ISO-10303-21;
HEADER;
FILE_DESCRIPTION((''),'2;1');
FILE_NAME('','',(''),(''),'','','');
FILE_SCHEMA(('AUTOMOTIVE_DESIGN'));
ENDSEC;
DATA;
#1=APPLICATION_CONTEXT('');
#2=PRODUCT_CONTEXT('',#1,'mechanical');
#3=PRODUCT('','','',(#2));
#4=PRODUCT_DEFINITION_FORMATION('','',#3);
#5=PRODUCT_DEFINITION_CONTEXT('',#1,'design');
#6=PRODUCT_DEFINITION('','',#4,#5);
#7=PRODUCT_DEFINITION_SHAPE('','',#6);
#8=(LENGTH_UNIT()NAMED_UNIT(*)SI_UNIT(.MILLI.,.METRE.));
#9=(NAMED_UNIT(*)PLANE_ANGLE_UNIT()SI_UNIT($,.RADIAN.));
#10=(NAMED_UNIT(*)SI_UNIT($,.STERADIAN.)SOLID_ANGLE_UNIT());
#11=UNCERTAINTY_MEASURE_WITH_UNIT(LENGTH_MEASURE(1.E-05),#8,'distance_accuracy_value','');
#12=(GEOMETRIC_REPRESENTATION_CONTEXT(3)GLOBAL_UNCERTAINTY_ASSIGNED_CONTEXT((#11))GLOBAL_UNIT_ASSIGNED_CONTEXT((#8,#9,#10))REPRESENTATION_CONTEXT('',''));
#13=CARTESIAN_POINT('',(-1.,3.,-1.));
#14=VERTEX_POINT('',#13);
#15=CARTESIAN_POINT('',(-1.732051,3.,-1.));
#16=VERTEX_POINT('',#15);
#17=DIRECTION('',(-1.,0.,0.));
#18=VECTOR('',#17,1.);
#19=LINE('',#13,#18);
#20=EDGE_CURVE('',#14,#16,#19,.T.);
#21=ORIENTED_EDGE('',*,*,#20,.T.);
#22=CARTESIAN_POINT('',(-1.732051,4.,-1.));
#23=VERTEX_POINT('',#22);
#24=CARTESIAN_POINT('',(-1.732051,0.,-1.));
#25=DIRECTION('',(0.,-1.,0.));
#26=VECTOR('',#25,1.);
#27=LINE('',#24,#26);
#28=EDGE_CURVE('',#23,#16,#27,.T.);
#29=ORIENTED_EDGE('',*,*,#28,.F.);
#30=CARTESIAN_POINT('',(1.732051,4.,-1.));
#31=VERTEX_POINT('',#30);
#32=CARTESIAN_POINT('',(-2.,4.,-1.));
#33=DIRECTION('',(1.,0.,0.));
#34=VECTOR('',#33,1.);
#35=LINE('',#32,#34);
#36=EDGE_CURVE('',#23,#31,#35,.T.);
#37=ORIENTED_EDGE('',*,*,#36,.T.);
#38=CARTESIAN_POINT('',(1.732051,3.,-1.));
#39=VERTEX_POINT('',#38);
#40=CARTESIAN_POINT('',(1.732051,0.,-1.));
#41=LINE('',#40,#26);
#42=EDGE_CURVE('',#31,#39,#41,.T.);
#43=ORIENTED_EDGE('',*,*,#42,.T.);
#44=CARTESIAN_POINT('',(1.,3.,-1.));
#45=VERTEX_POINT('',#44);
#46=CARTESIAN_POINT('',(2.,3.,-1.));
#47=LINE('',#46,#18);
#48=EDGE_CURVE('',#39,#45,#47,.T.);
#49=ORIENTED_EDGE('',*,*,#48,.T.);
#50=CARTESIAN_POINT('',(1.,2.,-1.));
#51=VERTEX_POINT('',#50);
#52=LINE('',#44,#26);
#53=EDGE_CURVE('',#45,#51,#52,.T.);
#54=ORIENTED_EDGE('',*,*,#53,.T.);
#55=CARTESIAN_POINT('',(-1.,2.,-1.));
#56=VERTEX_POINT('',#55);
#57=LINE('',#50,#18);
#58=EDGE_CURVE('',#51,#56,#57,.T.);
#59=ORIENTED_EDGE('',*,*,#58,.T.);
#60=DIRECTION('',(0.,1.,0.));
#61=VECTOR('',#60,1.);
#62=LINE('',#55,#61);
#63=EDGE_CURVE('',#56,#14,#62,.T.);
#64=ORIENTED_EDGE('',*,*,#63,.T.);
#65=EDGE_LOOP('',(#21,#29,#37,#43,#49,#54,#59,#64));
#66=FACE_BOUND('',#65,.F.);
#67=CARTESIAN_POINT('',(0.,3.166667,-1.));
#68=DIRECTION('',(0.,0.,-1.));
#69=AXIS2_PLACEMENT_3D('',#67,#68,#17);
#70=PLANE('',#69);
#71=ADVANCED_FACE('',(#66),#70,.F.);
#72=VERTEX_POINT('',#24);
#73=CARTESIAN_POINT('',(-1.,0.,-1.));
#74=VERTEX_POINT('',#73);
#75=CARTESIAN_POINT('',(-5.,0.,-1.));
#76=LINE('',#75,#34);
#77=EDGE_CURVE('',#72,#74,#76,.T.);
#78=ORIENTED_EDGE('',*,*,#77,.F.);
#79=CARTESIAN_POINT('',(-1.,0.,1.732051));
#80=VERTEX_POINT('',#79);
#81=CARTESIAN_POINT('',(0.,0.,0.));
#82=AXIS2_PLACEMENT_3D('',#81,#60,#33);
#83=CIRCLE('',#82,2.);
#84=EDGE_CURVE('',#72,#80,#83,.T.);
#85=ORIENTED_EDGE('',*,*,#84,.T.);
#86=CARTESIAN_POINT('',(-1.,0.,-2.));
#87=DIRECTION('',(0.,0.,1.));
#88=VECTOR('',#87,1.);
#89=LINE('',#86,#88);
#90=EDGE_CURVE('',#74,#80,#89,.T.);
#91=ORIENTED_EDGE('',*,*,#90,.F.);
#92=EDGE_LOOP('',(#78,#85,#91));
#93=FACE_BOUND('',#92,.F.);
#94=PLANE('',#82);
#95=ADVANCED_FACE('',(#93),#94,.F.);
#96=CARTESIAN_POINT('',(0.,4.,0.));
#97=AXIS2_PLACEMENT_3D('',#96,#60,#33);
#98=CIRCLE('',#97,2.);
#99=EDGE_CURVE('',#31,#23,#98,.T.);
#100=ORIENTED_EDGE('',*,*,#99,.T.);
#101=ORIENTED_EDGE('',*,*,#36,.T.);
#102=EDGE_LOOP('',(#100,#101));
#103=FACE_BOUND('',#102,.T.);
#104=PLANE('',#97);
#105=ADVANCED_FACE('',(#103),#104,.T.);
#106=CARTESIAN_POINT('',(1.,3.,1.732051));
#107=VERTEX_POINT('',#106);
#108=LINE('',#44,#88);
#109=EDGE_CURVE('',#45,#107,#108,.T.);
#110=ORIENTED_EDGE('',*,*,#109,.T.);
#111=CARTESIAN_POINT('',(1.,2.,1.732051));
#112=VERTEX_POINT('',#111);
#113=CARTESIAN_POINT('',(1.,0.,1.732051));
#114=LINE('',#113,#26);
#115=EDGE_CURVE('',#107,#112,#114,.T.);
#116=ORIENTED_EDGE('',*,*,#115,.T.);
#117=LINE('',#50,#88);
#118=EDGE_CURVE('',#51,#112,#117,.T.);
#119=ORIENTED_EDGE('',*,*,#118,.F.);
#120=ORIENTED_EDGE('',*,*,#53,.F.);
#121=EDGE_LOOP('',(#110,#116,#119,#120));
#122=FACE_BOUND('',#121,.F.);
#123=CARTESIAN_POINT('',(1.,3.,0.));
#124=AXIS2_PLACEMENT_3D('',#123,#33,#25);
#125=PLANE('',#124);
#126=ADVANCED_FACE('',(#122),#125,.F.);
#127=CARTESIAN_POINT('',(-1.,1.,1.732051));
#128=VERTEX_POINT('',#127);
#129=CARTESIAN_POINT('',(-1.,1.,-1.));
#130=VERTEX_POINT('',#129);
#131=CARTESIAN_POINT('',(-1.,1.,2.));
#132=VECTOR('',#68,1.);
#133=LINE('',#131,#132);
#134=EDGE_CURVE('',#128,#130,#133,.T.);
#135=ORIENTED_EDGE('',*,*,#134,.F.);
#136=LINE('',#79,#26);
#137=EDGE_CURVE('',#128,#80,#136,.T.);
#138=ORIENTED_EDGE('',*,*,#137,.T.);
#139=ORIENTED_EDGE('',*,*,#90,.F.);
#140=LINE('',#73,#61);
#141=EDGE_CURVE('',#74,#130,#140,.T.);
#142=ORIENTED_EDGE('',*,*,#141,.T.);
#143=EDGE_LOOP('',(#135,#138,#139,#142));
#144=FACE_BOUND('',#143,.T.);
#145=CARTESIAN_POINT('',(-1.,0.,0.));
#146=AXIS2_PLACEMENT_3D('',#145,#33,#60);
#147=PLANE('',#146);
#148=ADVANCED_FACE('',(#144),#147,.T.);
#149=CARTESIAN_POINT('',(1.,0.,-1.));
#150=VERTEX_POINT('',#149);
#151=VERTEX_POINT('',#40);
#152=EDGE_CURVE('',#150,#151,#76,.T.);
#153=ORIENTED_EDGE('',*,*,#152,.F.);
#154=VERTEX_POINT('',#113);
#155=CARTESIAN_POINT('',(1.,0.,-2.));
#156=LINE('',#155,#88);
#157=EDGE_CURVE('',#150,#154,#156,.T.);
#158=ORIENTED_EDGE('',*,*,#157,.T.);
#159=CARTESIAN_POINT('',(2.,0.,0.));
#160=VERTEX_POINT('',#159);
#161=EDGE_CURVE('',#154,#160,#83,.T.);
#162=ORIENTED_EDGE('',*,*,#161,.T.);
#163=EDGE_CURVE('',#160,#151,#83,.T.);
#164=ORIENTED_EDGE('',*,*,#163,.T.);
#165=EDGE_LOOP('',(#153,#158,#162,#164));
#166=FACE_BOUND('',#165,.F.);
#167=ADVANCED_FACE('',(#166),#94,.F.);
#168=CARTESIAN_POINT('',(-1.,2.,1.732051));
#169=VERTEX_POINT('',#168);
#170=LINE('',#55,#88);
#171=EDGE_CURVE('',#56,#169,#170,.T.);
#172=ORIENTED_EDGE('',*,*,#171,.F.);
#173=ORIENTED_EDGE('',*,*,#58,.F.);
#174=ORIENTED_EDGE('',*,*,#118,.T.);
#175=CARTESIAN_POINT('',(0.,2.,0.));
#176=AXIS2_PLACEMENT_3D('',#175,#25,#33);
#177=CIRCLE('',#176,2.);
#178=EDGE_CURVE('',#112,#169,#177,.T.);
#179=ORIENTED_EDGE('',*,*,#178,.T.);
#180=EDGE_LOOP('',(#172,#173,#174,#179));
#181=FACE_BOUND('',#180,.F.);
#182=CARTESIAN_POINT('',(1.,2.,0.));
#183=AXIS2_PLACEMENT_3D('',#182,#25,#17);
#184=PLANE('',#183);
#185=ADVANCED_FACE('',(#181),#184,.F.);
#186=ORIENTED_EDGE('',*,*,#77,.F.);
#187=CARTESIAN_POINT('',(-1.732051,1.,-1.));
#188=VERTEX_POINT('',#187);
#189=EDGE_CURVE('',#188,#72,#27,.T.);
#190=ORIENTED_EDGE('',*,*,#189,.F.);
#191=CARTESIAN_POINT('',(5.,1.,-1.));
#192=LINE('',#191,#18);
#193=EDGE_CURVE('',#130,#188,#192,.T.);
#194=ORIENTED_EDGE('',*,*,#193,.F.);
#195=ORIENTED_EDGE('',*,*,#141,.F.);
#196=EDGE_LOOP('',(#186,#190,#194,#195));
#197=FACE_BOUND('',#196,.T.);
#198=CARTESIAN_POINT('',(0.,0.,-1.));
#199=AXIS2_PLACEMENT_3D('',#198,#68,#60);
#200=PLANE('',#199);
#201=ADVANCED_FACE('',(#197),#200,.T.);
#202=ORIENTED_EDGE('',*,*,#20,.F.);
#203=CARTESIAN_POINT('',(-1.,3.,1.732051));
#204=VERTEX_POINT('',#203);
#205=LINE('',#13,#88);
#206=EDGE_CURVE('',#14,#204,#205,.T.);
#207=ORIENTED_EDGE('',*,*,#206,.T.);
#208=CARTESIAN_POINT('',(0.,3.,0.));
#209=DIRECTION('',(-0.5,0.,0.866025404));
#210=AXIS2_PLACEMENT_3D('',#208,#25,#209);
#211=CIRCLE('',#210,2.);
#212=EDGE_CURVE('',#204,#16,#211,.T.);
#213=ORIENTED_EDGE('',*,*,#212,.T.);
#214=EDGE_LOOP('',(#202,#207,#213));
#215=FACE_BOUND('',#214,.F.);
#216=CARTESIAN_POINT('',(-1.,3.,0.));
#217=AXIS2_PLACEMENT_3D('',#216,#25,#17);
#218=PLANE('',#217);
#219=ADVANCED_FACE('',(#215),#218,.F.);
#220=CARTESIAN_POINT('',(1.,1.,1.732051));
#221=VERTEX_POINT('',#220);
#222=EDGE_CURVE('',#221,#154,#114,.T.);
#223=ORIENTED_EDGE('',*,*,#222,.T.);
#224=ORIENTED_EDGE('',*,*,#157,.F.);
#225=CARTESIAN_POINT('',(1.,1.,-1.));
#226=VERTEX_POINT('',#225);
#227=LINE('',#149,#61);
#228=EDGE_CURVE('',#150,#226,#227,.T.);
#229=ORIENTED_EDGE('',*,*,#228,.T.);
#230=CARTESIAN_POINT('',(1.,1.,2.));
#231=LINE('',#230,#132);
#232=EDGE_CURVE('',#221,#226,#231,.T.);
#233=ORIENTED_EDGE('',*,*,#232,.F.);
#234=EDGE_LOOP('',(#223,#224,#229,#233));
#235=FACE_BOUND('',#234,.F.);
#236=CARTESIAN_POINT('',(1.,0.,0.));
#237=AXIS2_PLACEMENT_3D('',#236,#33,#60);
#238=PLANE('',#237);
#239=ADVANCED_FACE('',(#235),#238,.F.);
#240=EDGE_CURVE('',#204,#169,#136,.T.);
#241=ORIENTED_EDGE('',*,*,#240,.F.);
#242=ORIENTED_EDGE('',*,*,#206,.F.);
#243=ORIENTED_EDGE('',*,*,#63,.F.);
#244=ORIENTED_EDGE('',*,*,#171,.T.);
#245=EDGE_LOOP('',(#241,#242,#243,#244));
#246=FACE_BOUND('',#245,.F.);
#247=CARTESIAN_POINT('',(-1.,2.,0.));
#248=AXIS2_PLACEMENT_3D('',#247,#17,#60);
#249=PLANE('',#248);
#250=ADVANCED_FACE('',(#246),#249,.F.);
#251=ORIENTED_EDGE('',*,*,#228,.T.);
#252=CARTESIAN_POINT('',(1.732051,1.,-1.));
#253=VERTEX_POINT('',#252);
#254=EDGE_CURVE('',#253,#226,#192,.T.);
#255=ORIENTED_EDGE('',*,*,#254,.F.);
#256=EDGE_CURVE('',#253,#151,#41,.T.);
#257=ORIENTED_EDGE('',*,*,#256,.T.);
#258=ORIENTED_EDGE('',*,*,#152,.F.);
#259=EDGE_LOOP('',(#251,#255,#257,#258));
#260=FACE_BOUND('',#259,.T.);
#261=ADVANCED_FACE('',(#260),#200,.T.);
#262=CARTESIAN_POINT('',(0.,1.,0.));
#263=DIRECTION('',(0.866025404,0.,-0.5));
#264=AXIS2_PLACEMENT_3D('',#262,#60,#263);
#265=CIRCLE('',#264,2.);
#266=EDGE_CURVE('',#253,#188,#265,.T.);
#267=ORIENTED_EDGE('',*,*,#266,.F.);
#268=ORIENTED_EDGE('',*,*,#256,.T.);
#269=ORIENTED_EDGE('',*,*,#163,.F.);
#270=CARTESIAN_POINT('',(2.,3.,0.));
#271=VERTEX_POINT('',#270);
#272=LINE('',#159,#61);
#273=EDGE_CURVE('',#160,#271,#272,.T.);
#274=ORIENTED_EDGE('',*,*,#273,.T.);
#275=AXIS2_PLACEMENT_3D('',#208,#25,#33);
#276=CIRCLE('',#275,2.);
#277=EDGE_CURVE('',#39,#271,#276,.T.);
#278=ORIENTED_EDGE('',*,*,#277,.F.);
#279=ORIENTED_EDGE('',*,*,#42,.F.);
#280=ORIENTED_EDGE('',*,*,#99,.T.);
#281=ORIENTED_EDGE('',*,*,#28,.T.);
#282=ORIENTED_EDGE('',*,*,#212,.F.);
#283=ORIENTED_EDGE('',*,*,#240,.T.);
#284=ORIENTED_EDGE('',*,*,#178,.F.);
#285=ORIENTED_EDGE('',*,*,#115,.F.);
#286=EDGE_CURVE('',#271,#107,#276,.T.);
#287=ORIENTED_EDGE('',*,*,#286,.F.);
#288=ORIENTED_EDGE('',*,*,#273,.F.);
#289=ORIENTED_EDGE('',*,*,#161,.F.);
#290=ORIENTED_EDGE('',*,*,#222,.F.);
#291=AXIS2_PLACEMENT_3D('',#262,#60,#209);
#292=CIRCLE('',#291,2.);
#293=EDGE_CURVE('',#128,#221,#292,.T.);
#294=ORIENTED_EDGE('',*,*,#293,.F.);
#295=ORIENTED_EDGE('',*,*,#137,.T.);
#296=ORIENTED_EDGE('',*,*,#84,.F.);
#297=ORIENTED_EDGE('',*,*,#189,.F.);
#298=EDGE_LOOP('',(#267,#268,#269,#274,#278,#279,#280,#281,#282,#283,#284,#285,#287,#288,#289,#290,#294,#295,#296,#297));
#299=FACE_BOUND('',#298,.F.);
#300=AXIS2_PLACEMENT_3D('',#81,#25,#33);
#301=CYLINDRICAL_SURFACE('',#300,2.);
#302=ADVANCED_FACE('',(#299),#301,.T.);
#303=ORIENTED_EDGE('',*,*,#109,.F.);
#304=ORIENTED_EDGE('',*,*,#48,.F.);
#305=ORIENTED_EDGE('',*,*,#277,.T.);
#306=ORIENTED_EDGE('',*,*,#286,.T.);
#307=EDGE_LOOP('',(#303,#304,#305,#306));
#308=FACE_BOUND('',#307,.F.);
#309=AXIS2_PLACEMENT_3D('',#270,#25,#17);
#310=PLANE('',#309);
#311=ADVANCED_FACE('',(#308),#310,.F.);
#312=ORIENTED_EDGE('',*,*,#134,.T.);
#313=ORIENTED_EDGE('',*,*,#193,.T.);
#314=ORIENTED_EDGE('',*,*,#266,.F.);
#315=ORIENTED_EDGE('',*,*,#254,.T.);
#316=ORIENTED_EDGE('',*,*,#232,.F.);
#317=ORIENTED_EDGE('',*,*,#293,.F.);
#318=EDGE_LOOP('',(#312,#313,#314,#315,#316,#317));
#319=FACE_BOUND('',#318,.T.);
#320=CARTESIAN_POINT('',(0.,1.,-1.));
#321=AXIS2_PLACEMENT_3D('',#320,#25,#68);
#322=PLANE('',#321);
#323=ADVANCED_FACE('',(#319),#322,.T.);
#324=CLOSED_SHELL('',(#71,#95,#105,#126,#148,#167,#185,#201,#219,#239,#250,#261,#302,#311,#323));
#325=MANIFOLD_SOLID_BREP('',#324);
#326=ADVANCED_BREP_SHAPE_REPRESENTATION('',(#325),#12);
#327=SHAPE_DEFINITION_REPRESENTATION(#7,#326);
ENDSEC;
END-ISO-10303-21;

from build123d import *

# Parameters (mm, degrees)
SKETCH1_R               = 2
BOSS_EXTRUDE1_DEPTH     = 4
SKETCH2_W               = 2
SKETCH2_H               = 1
CUT_EXTRUDE1_DEPTH      = 2
CUT_EXTRUDE2_DEPTH      = 4
CUT_EXTRUDE2_DEPTH_BACK = 1
SKETCH4_W               = 0.732050808
SKETCH4_H               = 1
CUT_EXTRUDE3_DEPTH      = 5


with BuildPart() as part:
    # Sketch1 → Boss-Extrude1 (new body)
    with BuildSketch(Plane(origin=(0, 0, 0), x_dir=(1, 0, 0), z_dir=(0, 1, 0))):
        Circle(SKETCH1_R)
    extrude(amount=BOSS_EXTRUDE1_DEPTH)

    # Sketch2 → Cut-Extrude1 (cut, symmetric)
    with BuildSketch(Plane.XY):
        with Locations((0, 0.5)):
            Rectangle(SKETCH2_W, SKETCH2_H)
    extrude(amount=CUT_EXTRUDE1_DEPTH, both=True, mode=Mode.SUBTRACT)

    # Sketch3 → Cut-Extrude2 (cut, two sides)
    with BuildSketch(Plane.XY) as cut_extrude2_sk:
        Polygon((-2, 4), (2, 4), (2, 3), (1, 3), (1, 2), (-1, 2), (-1, 3), (-2, 3), align=None)
    extrude(amount=CUT_EXTRUDE2_DEPTH, mode=Mode.SUBTRACT)
    extrude(cut_extrude2_sk.sketch, amount=-CUT_EXTRUDE2_DEPTH_BACK, mode=Mode.SUBTRACT)

    # Sketch4 → Cut-Extrude3 (cut, symmetric)
    with BuildSketch(Plane(origin=(0, 0, 0), x_dir=(0, 0, -1), z_dir=(1, 0, 0))):
        with Locations((1.366025404, 0.5)):
            Rectangle(SKETCH4_W, SKETCH4_H)
    extrude(amount=CUT_EXTRUDE3_DEPTH, both=True, mode=Mode.SUBTRACT)


solid = part.part
